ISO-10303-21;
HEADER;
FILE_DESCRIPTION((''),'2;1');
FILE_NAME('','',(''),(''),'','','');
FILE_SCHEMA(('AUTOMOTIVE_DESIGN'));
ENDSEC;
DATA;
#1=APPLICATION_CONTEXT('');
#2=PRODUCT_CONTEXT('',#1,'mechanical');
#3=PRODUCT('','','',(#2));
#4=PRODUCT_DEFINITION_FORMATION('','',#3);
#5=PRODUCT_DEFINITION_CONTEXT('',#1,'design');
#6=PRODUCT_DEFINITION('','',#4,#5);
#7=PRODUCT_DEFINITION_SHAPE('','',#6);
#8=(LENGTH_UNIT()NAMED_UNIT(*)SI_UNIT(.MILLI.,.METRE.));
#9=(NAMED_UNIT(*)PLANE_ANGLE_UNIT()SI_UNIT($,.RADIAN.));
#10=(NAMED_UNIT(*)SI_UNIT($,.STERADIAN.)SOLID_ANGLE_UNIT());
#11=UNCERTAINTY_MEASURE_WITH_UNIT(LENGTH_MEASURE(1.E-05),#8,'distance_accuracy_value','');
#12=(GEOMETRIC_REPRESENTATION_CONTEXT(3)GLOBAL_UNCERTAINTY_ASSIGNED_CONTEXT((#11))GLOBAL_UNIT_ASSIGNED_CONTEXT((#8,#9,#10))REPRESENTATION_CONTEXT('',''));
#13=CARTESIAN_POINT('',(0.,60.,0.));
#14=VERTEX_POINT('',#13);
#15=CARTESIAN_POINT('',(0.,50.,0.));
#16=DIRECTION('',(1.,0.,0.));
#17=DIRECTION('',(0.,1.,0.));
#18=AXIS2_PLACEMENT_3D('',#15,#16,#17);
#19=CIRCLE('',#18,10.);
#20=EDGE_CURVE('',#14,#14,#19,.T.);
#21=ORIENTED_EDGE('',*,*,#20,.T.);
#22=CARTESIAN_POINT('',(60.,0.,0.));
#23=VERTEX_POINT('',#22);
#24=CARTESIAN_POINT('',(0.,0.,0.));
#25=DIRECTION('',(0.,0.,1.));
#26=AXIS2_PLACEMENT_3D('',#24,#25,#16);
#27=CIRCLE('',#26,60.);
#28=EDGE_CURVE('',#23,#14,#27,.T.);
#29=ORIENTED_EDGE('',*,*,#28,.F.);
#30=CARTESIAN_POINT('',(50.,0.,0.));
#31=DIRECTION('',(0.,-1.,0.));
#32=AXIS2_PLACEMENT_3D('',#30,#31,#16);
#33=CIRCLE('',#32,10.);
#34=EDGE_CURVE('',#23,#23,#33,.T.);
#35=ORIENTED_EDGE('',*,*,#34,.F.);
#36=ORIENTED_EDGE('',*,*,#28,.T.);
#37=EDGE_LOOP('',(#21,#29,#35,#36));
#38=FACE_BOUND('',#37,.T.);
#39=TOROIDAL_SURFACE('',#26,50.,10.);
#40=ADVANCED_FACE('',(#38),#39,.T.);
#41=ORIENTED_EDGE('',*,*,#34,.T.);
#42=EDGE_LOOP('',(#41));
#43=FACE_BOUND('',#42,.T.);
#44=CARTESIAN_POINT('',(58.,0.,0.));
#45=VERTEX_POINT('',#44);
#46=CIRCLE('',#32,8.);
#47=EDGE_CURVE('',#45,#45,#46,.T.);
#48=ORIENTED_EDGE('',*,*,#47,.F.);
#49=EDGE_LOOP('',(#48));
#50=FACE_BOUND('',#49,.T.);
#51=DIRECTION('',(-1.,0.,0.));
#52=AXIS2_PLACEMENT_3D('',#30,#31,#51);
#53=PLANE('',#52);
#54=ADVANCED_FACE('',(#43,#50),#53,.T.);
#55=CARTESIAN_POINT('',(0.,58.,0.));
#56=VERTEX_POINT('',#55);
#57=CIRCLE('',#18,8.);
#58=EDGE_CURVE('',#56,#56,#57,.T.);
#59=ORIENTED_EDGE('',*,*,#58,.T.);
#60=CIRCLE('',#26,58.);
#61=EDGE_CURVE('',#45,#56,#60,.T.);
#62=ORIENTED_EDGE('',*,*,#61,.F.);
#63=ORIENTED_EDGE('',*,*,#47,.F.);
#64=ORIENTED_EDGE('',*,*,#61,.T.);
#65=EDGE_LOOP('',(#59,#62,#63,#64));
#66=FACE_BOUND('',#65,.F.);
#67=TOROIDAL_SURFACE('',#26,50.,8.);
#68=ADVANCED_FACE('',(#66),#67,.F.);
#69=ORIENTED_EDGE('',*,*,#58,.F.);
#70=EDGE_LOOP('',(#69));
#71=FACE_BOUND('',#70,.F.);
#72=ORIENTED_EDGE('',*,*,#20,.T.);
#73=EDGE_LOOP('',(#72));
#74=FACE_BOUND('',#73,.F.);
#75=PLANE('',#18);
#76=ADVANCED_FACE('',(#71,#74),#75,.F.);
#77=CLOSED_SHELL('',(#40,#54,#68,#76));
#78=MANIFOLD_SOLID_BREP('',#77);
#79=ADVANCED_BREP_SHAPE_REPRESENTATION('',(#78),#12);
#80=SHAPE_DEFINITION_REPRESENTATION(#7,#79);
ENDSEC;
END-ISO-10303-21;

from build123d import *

# Parameters (mm, degrees)
F1_R   = 10
F1_R_2 = 8


with BuildPart() as f2:
    # F2: sweep along a path in F0
    with BuildLine(Plane.XY) as f2_path:
        ThreePointArc((50, 0), (35.3553390593, 35.3553390593), (0, 50))
    # F1 (on Right) → F2 (sweep)
    with BuildSketch(Plane.YZ):
        with Locations((50, 0)):
            Circle(F1_R)
        with Locations((50, 0)):
            Circle(F1_R_2, mode=Mode.SUBTRACT)
    sweep(path=f2_path.line)


solid = f2.part
